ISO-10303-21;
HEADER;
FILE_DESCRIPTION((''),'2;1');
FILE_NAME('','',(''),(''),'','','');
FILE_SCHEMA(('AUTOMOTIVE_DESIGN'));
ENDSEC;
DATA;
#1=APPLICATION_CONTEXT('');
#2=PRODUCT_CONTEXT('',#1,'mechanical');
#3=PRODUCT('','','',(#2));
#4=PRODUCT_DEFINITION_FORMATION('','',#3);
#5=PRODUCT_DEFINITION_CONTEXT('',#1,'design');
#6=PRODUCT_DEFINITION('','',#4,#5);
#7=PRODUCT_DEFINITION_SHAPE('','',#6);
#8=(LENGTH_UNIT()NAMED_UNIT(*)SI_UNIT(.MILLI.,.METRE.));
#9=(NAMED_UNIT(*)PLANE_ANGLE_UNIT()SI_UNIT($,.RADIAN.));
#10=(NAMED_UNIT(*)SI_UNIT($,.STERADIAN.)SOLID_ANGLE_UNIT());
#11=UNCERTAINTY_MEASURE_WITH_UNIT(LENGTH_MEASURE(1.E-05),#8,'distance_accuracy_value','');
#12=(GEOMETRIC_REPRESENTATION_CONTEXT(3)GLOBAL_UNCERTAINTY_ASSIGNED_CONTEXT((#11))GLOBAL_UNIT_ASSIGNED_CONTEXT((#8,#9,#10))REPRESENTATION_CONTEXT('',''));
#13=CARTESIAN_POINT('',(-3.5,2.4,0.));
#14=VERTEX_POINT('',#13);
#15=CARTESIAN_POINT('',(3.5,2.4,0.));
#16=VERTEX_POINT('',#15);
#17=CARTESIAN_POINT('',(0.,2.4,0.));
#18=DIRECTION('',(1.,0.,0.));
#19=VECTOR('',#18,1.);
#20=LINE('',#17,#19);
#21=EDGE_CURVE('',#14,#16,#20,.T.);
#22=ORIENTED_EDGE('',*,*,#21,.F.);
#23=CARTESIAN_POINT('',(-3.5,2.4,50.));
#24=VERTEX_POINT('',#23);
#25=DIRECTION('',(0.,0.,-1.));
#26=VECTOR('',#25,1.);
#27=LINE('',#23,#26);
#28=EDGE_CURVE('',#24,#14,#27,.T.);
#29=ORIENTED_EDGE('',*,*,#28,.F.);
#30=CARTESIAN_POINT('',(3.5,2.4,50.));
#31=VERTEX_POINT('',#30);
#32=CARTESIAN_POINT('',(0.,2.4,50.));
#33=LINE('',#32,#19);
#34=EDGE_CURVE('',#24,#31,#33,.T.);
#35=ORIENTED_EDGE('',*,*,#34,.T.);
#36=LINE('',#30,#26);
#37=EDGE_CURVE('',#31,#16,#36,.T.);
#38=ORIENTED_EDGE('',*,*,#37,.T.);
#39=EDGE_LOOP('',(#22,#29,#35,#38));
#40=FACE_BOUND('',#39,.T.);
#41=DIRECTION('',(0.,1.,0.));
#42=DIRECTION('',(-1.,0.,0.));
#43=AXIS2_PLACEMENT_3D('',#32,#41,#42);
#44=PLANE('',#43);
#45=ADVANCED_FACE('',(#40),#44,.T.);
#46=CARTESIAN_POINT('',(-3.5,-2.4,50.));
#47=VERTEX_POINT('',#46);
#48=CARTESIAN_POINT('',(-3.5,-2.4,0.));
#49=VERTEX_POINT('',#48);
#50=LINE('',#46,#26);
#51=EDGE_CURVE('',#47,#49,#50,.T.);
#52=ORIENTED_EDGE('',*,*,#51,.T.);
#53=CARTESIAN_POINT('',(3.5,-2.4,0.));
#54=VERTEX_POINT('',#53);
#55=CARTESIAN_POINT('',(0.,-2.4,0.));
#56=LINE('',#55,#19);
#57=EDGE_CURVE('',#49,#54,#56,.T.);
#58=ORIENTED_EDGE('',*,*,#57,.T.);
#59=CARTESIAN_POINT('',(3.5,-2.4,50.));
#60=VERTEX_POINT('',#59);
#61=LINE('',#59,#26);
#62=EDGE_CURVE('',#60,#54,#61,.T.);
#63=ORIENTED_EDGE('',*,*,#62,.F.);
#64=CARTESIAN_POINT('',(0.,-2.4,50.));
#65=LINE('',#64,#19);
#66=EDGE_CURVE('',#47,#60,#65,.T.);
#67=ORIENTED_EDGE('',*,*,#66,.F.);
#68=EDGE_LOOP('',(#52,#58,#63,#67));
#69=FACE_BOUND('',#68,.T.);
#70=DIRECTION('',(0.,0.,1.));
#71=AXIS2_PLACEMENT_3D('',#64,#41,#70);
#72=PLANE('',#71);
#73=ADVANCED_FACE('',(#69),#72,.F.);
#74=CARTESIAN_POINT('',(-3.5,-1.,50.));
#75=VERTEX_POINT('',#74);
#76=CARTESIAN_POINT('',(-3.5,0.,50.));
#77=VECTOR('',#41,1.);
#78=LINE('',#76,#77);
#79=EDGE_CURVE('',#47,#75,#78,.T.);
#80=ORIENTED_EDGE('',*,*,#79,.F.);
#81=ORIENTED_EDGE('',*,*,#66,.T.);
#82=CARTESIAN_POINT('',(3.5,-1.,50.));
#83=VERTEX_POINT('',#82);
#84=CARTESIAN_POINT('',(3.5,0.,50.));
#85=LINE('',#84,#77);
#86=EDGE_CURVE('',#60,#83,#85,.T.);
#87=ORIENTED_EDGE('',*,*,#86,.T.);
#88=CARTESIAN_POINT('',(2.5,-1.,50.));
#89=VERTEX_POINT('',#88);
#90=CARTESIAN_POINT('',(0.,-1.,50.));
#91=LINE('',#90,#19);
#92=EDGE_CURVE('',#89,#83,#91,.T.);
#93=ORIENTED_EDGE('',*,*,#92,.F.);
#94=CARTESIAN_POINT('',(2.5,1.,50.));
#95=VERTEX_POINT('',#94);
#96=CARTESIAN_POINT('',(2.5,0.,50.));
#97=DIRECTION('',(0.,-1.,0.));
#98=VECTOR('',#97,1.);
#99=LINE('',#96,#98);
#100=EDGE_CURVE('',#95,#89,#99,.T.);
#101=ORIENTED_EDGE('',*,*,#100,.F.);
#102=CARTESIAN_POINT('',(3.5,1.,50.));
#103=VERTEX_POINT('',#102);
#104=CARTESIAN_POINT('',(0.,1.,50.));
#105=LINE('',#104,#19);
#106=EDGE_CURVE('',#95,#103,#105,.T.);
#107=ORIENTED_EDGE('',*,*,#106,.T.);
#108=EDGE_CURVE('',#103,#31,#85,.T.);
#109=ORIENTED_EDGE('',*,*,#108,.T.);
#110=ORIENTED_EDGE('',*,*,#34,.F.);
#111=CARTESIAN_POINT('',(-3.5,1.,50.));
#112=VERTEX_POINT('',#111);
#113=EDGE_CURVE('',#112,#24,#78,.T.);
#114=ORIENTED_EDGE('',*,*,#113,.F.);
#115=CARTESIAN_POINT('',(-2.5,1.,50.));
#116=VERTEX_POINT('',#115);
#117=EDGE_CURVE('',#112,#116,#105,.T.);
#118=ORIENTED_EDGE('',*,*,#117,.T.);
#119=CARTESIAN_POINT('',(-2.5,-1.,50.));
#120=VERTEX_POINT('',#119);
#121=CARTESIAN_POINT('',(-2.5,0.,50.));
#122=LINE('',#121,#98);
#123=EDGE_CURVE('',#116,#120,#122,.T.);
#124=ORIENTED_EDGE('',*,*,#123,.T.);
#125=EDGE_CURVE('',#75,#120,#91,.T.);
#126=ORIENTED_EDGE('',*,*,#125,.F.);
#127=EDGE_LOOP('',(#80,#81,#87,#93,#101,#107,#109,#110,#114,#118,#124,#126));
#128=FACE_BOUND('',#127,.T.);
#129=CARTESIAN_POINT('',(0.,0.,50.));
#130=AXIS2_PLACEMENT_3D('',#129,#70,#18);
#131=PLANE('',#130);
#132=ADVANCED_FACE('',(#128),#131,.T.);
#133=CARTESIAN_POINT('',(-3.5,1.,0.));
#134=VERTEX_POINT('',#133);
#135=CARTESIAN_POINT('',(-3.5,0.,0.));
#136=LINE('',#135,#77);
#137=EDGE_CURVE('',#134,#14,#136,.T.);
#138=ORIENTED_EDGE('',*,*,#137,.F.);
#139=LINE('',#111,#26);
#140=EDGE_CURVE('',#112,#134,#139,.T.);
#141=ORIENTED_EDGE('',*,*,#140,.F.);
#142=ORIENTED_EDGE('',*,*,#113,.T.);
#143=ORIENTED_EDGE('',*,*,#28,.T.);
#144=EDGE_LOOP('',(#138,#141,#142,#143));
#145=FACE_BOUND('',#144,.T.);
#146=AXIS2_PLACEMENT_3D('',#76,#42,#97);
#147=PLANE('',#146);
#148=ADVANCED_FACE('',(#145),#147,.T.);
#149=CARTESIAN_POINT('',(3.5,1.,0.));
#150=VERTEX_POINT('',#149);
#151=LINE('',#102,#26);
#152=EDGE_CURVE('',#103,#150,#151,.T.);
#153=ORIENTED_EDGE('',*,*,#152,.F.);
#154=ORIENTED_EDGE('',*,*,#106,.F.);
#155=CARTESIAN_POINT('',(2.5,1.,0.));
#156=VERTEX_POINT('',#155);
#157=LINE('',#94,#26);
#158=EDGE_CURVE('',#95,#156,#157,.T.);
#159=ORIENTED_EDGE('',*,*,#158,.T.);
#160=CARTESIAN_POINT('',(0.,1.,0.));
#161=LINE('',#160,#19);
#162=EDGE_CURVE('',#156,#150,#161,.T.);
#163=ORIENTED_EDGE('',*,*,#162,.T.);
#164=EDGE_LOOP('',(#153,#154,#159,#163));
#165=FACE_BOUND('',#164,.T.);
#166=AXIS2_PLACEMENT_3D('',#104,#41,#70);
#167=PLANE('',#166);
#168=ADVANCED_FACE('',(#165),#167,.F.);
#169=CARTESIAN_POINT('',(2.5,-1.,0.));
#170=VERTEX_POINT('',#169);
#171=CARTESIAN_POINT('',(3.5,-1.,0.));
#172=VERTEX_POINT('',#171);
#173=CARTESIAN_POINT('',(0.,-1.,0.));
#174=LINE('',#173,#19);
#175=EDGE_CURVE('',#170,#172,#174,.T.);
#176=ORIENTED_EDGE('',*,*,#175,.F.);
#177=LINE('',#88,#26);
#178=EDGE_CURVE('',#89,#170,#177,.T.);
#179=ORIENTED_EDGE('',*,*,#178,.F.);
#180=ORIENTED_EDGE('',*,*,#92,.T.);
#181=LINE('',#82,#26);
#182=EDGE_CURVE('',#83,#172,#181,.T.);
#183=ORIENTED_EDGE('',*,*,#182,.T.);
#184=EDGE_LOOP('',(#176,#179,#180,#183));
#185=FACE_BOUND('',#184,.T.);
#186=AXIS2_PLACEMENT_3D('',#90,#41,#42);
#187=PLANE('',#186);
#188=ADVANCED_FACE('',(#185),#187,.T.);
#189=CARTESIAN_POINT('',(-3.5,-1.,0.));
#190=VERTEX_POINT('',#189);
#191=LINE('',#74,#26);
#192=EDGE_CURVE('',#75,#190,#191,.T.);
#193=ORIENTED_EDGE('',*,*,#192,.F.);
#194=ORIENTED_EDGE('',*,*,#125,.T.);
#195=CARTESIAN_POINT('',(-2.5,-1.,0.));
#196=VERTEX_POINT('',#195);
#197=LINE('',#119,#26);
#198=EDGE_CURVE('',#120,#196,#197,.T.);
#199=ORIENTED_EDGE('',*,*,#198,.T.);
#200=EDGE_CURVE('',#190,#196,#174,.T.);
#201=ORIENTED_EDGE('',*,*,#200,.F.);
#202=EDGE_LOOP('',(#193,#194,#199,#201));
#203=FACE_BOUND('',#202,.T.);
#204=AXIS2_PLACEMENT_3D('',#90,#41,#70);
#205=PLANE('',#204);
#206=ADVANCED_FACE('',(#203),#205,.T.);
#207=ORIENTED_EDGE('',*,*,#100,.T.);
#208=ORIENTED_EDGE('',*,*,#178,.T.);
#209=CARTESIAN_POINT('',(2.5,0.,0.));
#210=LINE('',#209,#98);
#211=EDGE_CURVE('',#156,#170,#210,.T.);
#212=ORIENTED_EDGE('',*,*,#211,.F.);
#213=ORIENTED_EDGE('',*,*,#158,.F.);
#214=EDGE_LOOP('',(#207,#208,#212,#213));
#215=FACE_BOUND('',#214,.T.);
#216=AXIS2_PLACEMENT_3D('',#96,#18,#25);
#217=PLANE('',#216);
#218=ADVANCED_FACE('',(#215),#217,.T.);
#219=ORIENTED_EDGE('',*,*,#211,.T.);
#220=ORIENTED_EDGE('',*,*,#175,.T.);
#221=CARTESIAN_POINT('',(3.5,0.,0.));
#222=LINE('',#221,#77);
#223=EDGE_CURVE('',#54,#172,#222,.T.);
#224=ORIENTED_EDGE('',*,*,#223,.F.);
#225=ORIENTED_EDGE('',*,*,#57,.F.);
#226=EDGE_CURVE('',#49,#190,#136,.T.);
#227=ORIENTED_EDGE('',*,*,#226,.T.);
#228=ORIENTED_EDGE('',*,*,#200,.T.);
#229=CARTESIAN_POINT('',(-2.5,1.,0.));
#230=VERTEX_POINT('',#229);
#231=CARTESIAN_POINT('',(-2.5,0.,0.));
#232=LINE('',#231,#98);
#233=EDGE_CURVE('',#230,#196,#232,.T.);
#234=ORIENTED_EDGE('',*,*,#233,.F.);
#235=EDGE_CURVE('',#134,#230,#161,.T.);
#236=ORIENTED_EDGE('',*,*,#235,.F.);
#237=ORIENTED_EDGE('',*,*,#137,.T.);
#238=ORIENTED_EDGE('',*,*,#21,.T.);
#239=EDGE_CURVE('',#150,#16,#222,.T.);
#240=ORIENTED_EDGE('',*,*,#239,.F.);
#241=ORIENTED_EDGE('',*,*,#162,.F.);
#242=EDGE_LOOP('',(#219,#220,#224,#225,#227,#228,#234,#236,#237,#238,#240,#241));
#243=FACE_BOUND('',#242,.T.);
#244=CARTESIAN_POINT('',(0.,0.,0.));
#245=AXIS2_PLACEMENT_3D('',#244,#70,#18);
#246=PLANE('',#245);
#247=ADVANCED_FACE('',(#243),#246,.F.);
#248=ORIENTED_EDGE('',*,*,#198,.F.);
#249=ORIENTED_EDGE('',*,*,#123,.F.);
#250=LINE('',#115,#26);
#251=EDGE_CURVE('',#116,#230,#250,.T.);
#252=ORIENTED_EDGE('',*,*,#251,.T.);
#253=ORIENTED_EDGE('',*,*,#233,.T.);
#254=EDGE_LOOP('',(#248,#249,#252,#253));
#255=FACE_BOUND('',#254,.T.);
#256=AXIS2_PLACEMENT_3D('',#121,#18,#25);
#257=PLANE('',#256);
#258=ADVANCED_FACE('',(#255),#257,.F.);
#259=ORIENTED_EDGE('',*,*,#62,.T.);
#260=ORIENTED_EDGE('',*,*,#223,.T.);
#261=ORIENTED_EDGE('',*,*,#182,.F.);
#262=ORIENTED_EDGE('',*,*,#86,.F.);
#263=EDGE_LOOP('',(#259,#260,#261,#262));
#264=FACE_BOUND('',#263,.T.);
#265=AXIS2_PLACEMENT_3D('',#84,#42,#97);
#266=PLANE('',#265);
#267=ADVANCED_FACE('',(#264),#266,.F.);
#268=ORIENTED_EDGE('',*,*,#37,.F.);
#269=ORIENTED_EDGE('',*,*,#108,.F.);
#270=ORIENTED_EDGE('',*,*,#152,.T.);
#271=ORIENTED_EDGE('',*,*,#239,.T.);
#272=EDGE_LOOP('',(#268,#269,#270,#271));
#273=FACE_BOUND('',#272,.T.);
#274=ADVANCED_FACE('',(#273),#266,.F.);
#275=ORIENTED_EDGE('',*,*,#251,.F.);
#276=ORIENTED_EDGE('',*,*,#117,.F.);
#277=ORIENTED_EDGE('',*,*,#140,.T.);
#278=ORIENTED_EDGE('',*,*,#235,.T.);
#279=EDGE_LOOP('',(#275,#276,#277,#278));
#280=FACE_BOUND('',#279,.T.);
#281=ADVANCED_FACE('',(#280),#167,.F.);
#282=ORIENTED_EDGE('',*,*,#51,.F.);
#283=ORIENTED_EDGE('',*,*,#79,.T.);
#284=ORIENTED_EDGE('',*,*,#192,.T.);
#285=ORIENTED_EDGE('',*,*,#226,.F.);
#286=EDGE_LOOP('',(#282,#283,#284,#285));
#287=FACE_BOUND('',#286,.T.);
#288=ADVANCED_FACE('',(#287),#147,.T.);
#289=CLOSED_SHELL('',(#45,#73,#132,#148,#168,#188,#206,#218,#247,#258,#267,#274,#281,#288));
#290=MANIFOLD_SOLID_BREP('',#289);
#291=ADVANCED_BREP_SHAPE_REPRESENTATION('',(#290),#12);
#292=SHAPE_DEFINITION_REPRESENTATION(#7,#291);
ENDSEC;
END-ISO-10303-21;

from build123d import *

# Parameters (mm, degrees)
BOSS_EXTRUDE1_DEPTH = 50


with BuildPart() as part:
    # Sketch1 → Boss-Extrude1 (new body)
    with BuildSketch(Plane.XY):
        Polygon((-3.5, -1), (-3.5, -2.4), (3.5, -2.4), (3.5, -1), (2.5, -1), (2.5, 1), (3.5, 1), (3.5, 2.4), (-3.5, 2.4), (-3.5, 1), (-2.5, 1), (-2.5, -1), align=None)
    extrude(amount=BOSS_EXTRUDE1_DEPTH)


solid = part.part
